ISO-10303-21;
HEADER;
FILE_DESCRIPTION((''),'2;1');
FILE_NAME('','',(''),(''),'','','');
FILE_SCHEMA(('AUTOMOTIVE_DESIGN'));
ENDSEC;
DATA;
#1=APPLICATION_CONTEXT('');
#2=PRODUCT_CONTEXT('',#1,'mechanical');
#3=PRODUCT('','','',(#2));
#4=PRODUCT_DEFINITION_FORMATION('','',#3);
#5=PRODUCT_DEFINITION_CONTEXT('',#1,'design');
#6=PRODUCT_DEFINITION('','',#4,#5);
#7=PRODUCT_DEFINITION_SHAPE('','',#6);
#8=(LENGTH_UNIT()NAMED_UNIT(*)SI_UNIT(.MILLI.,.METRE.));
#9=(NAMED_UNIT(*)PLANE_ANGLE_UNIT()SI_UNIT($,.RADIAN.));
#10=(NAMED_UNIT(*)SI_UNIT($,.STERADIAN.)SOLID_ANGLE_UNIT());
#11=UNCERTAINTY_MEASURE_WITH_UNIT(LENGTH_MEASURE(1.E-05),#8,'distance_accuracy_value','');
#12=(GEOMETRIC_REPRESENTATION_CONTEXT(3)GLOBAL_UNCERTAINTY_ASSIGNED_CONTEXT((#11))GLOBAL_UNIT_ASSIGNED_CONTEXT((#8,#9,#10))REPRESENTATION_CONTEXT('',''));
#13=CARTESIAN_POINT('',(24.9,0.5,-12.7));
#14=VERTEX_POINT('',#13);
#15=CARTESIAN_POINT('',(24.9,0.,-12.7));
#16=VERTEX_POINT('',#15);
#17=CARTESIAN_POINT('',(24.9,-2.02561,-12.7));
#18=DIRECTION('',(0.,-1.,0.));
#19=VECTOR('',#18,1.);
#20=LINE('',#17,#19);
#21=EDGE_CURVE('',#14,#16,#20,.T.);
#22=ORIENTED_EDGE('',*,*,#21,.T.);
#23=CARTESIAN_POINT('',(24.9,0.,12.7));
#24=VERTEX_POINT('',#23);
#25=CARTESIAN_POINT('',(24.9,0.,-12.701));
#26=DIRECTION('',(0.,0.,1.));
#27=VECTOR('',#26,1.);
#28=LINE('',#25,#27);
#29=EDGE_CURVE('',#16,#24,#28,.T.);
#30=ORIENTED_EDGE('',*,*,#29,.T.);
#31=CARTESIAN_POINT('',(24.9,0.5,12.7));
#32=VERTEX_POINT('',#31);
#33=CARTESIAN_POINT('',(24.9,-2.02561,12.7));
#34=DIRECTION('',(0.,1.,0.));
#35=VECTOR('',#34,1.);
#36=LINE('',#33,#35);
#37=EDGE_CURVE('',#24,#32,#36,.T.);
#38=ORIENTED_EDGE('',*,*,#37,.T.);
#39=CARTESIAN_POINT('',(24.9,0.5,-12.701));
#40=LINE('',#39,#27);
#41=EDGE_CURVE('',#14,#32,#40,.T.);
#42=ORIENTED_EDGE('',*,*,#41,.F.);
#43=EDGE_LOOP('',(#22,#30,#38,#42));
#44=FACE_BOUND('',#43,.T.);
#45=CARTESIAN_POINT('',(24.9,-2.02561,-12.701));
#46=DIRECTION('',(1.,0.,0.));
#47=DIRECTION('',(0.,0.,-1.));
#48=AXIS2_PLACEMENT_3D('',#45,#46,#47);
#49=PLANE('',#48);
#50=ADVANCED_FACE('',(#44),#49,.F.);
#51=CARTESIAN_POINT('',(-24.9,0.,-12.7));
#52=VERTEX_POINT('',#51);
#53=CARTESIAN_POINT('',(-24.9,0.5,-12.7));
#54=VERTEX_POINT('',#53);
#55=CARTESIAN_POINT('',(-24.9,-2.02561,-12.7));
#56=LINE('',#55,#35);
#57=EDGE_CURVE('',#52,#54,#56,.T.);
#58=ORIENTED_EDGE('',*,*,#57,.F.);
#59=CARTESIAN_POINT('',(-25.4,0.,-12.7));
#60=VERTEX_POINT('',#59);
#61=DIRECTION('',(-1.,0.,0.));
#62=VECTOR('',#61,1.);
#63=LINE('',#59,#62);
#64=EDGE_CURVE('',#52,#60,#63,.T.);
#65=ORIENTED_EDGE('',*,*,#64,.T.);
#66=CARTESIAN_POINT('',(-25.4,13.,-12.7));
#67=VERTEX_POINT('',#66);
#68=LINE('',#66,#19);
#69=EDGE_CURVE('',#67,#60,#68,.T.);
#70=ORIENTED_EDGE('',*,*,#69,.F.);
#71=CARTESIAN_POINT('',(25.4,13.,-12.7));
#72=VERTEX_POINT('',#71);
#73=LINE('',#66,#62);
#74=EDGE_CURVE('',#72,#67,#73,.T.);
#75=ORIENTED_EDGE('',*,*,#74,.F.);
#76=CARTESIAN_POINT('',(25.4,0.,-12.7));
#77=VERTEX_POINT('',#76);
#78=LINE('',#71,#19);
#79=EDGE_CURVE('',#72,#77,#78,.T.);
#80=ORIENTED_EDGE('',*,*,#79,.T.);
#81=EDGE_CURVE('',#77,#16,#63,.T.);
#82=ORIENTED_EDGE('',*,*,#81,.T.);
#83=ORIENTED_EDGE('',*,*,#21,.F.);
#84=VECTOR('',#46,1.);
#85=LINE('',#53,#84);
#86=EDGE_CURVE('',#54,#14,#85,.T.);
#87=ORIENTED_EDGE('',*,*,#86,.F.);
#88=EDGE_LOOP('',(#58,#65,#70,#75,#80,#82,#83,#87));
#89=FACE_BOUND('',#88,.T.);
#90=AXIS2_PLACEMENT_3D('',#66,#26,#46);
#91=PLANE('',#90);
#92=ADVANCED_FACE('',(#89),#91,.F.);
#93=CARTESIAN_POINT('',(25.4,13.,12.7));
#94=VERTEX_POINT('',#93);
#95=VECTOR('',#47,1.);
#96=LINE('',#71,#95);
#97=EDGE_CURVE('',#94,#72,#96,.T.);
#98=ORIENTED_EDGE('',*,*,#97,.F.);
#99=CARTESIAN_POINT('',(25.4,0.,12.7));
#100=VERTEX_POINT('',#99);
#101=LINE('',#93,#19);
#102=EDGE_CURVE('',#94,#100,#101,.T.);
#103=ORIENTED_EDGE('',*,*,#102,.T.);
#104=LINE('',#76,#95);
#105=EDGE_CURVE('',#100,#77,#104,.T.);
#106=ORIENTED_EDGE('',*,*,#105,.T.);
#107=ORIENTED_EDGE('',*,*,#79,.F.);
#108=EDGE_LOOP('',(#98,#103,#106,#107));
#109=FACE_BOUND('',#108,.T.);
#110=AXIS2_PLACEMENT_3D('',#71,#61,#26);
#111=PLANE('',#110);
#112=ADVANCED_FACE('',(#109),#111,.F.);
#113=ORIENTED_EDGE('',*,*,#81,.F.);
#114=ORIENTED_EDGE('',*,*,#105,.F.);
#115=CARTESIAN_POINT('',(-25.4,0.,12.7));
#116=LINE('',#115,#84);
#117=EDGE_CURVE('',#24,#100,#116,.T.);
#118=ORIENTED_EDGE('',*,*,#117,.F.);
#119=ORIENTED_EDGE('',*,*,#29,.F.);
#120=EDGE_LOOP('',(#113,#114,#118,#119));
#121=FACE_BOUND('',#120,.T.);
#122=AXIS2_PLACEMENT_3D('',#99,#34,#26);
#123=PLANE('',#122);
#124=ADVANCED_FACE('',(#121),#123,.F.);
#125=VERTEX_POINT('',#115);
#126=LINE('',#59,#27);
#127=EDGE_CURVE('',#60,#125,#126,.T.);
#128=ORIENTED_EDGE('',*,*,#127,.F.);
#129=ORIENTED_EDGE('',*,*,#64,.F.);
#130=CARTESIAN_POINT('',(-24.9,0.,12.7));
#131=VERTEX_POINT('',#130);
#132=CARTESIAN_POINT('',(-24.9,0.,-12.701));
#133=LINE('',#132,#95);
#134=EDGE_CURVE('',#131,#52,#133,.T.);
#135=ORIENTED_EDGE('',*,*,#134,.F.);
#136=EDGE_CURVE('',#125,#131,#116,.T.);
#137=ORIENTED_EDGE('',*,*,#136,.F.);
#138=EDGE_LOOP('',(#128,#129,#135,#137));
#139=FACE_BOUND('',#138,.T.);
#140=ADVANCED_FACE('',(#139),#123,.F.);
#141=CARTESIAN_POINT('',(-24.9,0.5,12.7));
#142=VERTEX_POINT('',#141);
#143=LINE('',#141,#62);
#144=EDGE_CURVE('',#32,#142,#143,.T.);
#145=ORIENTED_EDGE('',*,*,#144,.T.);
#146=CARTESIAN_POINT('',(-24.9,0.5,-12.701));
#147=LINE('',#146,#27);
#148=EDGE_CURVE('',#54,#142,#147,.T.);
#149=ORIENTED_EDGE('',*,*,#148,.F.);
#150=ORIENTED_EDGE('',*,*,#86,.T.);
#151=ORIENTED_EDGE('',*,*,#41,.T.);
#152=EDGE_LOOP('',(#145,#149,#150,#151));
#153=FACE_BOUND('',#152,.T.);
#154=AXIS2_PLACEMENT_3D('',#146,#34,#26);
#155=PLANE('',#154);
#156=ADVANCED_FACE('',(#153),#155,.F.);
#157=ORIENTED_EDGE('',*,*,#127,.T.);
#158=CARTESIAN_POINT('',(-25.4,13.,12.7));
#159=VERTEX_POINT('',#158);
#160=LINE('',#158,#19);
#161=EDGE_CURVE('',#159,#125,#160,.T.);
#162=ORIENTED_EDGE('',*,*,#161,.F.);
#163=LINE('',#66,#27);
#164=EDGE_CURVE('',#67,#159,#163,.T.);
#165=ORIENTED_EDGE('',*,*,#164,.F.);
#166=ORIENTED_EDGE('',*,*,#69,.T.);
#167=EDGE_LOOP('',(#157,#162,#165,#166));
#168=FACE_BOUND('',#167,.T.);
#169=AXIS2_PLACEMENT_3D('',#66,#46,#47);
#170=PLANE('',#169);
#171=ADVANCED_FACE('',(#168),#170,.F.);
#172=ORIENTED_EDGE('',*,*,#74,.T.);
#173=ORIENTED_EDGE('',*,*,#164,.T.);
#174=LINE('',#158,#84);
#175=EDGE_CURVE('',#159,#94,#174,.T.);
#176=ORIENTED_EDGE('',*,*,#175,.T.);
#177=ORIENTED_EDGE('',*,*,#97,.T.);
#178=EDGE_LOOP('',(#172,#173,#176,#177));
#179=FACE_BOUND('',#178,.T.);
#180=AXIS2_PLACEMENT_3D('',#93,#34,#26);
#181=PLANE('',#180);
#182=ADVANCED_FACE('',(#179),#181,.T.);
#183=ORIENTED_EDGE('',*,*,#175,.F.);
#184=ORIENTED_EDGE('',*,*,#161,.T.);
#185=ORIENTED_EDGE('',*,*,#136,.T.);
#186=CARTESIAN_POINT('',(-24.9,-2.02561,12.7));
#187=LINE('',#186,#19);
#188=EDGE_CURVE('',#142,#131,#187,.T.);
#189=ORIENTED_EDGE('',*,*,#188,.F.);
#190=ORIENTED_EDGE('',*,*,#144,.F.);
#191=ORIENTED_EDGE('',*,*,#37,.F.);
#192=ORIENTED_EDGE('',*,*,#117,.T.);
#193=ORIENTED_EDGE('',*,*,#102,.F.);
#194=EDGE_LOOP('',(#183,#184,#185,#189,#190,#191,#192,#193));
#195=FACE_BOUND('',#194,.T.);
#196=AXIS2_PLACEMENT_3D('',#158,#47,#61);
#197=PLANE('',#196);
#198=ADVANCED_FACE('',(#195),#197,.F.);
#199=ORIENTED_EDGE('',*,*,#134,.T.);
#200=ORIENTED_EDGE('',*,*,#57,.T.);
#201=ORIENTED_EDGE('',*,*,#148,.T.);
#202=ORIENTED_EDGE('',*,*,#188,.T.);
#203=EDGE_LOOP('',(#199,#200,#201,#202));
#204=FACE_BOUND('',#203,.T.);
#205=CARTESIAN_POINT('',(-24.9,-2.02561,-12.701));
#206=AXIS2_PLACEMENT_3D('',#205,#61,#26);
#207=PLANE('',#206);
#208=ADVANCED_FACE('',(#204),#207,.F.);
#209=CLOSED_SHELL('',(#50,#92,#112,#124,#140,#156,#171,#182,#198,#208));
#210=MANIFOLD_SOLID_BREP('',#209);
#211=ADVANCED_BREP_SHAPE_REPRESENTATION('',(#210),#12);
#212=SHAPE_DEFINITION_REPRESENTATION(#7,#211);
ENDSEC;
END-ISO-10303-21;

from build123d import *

# Parameters (mm, degrees)
SKETCH1_W           = 50.8
SKETCH1_H           = 25.4
BOSS_EXTRUDE1_DEPTH = 13
CUT_EXTRUDE1_REACH  = 40.201
SKETCH2_W           = 49.8
SKETCH2_H           = 2.525610112


with BuildPart() as part:
    # Sketch1 → Boss-Extrude1 (new body)
    with BuildSketch(Plane(origin=(0, 0, 0), x_dir=(1, 0, 0), z_dir=(0, 1, 0))):
        Rectangle(SKETCH1_W, SKETCH1_H)
    extrude(amount=BOSS_EXTRUDE1_DEPTH)

    # Sketch2 → Cut-Extrude1 (cut, up to next)
    with BuildSketch(Plane.XY.offset(12.7), mode=Mode.PRIVATE) as cut_extrude1_sk1:
        with Locations((0, -0.762805056)):
            Rectangle(SKETCH2_W, SKETCH2_H)
    cut_extrude1_tool1 = extrude(cut_extrude1_sk1.sketch, amount=-CUT_EXTRUDE1_REACH, mode=Mode.PRIVATE) & part.part
    add(cut_extrude1_tool1.solids().sort_by_distance((0, -0.762805, 12.7))[0], mode=Mode.SUBTRACT)


solid = part.part
